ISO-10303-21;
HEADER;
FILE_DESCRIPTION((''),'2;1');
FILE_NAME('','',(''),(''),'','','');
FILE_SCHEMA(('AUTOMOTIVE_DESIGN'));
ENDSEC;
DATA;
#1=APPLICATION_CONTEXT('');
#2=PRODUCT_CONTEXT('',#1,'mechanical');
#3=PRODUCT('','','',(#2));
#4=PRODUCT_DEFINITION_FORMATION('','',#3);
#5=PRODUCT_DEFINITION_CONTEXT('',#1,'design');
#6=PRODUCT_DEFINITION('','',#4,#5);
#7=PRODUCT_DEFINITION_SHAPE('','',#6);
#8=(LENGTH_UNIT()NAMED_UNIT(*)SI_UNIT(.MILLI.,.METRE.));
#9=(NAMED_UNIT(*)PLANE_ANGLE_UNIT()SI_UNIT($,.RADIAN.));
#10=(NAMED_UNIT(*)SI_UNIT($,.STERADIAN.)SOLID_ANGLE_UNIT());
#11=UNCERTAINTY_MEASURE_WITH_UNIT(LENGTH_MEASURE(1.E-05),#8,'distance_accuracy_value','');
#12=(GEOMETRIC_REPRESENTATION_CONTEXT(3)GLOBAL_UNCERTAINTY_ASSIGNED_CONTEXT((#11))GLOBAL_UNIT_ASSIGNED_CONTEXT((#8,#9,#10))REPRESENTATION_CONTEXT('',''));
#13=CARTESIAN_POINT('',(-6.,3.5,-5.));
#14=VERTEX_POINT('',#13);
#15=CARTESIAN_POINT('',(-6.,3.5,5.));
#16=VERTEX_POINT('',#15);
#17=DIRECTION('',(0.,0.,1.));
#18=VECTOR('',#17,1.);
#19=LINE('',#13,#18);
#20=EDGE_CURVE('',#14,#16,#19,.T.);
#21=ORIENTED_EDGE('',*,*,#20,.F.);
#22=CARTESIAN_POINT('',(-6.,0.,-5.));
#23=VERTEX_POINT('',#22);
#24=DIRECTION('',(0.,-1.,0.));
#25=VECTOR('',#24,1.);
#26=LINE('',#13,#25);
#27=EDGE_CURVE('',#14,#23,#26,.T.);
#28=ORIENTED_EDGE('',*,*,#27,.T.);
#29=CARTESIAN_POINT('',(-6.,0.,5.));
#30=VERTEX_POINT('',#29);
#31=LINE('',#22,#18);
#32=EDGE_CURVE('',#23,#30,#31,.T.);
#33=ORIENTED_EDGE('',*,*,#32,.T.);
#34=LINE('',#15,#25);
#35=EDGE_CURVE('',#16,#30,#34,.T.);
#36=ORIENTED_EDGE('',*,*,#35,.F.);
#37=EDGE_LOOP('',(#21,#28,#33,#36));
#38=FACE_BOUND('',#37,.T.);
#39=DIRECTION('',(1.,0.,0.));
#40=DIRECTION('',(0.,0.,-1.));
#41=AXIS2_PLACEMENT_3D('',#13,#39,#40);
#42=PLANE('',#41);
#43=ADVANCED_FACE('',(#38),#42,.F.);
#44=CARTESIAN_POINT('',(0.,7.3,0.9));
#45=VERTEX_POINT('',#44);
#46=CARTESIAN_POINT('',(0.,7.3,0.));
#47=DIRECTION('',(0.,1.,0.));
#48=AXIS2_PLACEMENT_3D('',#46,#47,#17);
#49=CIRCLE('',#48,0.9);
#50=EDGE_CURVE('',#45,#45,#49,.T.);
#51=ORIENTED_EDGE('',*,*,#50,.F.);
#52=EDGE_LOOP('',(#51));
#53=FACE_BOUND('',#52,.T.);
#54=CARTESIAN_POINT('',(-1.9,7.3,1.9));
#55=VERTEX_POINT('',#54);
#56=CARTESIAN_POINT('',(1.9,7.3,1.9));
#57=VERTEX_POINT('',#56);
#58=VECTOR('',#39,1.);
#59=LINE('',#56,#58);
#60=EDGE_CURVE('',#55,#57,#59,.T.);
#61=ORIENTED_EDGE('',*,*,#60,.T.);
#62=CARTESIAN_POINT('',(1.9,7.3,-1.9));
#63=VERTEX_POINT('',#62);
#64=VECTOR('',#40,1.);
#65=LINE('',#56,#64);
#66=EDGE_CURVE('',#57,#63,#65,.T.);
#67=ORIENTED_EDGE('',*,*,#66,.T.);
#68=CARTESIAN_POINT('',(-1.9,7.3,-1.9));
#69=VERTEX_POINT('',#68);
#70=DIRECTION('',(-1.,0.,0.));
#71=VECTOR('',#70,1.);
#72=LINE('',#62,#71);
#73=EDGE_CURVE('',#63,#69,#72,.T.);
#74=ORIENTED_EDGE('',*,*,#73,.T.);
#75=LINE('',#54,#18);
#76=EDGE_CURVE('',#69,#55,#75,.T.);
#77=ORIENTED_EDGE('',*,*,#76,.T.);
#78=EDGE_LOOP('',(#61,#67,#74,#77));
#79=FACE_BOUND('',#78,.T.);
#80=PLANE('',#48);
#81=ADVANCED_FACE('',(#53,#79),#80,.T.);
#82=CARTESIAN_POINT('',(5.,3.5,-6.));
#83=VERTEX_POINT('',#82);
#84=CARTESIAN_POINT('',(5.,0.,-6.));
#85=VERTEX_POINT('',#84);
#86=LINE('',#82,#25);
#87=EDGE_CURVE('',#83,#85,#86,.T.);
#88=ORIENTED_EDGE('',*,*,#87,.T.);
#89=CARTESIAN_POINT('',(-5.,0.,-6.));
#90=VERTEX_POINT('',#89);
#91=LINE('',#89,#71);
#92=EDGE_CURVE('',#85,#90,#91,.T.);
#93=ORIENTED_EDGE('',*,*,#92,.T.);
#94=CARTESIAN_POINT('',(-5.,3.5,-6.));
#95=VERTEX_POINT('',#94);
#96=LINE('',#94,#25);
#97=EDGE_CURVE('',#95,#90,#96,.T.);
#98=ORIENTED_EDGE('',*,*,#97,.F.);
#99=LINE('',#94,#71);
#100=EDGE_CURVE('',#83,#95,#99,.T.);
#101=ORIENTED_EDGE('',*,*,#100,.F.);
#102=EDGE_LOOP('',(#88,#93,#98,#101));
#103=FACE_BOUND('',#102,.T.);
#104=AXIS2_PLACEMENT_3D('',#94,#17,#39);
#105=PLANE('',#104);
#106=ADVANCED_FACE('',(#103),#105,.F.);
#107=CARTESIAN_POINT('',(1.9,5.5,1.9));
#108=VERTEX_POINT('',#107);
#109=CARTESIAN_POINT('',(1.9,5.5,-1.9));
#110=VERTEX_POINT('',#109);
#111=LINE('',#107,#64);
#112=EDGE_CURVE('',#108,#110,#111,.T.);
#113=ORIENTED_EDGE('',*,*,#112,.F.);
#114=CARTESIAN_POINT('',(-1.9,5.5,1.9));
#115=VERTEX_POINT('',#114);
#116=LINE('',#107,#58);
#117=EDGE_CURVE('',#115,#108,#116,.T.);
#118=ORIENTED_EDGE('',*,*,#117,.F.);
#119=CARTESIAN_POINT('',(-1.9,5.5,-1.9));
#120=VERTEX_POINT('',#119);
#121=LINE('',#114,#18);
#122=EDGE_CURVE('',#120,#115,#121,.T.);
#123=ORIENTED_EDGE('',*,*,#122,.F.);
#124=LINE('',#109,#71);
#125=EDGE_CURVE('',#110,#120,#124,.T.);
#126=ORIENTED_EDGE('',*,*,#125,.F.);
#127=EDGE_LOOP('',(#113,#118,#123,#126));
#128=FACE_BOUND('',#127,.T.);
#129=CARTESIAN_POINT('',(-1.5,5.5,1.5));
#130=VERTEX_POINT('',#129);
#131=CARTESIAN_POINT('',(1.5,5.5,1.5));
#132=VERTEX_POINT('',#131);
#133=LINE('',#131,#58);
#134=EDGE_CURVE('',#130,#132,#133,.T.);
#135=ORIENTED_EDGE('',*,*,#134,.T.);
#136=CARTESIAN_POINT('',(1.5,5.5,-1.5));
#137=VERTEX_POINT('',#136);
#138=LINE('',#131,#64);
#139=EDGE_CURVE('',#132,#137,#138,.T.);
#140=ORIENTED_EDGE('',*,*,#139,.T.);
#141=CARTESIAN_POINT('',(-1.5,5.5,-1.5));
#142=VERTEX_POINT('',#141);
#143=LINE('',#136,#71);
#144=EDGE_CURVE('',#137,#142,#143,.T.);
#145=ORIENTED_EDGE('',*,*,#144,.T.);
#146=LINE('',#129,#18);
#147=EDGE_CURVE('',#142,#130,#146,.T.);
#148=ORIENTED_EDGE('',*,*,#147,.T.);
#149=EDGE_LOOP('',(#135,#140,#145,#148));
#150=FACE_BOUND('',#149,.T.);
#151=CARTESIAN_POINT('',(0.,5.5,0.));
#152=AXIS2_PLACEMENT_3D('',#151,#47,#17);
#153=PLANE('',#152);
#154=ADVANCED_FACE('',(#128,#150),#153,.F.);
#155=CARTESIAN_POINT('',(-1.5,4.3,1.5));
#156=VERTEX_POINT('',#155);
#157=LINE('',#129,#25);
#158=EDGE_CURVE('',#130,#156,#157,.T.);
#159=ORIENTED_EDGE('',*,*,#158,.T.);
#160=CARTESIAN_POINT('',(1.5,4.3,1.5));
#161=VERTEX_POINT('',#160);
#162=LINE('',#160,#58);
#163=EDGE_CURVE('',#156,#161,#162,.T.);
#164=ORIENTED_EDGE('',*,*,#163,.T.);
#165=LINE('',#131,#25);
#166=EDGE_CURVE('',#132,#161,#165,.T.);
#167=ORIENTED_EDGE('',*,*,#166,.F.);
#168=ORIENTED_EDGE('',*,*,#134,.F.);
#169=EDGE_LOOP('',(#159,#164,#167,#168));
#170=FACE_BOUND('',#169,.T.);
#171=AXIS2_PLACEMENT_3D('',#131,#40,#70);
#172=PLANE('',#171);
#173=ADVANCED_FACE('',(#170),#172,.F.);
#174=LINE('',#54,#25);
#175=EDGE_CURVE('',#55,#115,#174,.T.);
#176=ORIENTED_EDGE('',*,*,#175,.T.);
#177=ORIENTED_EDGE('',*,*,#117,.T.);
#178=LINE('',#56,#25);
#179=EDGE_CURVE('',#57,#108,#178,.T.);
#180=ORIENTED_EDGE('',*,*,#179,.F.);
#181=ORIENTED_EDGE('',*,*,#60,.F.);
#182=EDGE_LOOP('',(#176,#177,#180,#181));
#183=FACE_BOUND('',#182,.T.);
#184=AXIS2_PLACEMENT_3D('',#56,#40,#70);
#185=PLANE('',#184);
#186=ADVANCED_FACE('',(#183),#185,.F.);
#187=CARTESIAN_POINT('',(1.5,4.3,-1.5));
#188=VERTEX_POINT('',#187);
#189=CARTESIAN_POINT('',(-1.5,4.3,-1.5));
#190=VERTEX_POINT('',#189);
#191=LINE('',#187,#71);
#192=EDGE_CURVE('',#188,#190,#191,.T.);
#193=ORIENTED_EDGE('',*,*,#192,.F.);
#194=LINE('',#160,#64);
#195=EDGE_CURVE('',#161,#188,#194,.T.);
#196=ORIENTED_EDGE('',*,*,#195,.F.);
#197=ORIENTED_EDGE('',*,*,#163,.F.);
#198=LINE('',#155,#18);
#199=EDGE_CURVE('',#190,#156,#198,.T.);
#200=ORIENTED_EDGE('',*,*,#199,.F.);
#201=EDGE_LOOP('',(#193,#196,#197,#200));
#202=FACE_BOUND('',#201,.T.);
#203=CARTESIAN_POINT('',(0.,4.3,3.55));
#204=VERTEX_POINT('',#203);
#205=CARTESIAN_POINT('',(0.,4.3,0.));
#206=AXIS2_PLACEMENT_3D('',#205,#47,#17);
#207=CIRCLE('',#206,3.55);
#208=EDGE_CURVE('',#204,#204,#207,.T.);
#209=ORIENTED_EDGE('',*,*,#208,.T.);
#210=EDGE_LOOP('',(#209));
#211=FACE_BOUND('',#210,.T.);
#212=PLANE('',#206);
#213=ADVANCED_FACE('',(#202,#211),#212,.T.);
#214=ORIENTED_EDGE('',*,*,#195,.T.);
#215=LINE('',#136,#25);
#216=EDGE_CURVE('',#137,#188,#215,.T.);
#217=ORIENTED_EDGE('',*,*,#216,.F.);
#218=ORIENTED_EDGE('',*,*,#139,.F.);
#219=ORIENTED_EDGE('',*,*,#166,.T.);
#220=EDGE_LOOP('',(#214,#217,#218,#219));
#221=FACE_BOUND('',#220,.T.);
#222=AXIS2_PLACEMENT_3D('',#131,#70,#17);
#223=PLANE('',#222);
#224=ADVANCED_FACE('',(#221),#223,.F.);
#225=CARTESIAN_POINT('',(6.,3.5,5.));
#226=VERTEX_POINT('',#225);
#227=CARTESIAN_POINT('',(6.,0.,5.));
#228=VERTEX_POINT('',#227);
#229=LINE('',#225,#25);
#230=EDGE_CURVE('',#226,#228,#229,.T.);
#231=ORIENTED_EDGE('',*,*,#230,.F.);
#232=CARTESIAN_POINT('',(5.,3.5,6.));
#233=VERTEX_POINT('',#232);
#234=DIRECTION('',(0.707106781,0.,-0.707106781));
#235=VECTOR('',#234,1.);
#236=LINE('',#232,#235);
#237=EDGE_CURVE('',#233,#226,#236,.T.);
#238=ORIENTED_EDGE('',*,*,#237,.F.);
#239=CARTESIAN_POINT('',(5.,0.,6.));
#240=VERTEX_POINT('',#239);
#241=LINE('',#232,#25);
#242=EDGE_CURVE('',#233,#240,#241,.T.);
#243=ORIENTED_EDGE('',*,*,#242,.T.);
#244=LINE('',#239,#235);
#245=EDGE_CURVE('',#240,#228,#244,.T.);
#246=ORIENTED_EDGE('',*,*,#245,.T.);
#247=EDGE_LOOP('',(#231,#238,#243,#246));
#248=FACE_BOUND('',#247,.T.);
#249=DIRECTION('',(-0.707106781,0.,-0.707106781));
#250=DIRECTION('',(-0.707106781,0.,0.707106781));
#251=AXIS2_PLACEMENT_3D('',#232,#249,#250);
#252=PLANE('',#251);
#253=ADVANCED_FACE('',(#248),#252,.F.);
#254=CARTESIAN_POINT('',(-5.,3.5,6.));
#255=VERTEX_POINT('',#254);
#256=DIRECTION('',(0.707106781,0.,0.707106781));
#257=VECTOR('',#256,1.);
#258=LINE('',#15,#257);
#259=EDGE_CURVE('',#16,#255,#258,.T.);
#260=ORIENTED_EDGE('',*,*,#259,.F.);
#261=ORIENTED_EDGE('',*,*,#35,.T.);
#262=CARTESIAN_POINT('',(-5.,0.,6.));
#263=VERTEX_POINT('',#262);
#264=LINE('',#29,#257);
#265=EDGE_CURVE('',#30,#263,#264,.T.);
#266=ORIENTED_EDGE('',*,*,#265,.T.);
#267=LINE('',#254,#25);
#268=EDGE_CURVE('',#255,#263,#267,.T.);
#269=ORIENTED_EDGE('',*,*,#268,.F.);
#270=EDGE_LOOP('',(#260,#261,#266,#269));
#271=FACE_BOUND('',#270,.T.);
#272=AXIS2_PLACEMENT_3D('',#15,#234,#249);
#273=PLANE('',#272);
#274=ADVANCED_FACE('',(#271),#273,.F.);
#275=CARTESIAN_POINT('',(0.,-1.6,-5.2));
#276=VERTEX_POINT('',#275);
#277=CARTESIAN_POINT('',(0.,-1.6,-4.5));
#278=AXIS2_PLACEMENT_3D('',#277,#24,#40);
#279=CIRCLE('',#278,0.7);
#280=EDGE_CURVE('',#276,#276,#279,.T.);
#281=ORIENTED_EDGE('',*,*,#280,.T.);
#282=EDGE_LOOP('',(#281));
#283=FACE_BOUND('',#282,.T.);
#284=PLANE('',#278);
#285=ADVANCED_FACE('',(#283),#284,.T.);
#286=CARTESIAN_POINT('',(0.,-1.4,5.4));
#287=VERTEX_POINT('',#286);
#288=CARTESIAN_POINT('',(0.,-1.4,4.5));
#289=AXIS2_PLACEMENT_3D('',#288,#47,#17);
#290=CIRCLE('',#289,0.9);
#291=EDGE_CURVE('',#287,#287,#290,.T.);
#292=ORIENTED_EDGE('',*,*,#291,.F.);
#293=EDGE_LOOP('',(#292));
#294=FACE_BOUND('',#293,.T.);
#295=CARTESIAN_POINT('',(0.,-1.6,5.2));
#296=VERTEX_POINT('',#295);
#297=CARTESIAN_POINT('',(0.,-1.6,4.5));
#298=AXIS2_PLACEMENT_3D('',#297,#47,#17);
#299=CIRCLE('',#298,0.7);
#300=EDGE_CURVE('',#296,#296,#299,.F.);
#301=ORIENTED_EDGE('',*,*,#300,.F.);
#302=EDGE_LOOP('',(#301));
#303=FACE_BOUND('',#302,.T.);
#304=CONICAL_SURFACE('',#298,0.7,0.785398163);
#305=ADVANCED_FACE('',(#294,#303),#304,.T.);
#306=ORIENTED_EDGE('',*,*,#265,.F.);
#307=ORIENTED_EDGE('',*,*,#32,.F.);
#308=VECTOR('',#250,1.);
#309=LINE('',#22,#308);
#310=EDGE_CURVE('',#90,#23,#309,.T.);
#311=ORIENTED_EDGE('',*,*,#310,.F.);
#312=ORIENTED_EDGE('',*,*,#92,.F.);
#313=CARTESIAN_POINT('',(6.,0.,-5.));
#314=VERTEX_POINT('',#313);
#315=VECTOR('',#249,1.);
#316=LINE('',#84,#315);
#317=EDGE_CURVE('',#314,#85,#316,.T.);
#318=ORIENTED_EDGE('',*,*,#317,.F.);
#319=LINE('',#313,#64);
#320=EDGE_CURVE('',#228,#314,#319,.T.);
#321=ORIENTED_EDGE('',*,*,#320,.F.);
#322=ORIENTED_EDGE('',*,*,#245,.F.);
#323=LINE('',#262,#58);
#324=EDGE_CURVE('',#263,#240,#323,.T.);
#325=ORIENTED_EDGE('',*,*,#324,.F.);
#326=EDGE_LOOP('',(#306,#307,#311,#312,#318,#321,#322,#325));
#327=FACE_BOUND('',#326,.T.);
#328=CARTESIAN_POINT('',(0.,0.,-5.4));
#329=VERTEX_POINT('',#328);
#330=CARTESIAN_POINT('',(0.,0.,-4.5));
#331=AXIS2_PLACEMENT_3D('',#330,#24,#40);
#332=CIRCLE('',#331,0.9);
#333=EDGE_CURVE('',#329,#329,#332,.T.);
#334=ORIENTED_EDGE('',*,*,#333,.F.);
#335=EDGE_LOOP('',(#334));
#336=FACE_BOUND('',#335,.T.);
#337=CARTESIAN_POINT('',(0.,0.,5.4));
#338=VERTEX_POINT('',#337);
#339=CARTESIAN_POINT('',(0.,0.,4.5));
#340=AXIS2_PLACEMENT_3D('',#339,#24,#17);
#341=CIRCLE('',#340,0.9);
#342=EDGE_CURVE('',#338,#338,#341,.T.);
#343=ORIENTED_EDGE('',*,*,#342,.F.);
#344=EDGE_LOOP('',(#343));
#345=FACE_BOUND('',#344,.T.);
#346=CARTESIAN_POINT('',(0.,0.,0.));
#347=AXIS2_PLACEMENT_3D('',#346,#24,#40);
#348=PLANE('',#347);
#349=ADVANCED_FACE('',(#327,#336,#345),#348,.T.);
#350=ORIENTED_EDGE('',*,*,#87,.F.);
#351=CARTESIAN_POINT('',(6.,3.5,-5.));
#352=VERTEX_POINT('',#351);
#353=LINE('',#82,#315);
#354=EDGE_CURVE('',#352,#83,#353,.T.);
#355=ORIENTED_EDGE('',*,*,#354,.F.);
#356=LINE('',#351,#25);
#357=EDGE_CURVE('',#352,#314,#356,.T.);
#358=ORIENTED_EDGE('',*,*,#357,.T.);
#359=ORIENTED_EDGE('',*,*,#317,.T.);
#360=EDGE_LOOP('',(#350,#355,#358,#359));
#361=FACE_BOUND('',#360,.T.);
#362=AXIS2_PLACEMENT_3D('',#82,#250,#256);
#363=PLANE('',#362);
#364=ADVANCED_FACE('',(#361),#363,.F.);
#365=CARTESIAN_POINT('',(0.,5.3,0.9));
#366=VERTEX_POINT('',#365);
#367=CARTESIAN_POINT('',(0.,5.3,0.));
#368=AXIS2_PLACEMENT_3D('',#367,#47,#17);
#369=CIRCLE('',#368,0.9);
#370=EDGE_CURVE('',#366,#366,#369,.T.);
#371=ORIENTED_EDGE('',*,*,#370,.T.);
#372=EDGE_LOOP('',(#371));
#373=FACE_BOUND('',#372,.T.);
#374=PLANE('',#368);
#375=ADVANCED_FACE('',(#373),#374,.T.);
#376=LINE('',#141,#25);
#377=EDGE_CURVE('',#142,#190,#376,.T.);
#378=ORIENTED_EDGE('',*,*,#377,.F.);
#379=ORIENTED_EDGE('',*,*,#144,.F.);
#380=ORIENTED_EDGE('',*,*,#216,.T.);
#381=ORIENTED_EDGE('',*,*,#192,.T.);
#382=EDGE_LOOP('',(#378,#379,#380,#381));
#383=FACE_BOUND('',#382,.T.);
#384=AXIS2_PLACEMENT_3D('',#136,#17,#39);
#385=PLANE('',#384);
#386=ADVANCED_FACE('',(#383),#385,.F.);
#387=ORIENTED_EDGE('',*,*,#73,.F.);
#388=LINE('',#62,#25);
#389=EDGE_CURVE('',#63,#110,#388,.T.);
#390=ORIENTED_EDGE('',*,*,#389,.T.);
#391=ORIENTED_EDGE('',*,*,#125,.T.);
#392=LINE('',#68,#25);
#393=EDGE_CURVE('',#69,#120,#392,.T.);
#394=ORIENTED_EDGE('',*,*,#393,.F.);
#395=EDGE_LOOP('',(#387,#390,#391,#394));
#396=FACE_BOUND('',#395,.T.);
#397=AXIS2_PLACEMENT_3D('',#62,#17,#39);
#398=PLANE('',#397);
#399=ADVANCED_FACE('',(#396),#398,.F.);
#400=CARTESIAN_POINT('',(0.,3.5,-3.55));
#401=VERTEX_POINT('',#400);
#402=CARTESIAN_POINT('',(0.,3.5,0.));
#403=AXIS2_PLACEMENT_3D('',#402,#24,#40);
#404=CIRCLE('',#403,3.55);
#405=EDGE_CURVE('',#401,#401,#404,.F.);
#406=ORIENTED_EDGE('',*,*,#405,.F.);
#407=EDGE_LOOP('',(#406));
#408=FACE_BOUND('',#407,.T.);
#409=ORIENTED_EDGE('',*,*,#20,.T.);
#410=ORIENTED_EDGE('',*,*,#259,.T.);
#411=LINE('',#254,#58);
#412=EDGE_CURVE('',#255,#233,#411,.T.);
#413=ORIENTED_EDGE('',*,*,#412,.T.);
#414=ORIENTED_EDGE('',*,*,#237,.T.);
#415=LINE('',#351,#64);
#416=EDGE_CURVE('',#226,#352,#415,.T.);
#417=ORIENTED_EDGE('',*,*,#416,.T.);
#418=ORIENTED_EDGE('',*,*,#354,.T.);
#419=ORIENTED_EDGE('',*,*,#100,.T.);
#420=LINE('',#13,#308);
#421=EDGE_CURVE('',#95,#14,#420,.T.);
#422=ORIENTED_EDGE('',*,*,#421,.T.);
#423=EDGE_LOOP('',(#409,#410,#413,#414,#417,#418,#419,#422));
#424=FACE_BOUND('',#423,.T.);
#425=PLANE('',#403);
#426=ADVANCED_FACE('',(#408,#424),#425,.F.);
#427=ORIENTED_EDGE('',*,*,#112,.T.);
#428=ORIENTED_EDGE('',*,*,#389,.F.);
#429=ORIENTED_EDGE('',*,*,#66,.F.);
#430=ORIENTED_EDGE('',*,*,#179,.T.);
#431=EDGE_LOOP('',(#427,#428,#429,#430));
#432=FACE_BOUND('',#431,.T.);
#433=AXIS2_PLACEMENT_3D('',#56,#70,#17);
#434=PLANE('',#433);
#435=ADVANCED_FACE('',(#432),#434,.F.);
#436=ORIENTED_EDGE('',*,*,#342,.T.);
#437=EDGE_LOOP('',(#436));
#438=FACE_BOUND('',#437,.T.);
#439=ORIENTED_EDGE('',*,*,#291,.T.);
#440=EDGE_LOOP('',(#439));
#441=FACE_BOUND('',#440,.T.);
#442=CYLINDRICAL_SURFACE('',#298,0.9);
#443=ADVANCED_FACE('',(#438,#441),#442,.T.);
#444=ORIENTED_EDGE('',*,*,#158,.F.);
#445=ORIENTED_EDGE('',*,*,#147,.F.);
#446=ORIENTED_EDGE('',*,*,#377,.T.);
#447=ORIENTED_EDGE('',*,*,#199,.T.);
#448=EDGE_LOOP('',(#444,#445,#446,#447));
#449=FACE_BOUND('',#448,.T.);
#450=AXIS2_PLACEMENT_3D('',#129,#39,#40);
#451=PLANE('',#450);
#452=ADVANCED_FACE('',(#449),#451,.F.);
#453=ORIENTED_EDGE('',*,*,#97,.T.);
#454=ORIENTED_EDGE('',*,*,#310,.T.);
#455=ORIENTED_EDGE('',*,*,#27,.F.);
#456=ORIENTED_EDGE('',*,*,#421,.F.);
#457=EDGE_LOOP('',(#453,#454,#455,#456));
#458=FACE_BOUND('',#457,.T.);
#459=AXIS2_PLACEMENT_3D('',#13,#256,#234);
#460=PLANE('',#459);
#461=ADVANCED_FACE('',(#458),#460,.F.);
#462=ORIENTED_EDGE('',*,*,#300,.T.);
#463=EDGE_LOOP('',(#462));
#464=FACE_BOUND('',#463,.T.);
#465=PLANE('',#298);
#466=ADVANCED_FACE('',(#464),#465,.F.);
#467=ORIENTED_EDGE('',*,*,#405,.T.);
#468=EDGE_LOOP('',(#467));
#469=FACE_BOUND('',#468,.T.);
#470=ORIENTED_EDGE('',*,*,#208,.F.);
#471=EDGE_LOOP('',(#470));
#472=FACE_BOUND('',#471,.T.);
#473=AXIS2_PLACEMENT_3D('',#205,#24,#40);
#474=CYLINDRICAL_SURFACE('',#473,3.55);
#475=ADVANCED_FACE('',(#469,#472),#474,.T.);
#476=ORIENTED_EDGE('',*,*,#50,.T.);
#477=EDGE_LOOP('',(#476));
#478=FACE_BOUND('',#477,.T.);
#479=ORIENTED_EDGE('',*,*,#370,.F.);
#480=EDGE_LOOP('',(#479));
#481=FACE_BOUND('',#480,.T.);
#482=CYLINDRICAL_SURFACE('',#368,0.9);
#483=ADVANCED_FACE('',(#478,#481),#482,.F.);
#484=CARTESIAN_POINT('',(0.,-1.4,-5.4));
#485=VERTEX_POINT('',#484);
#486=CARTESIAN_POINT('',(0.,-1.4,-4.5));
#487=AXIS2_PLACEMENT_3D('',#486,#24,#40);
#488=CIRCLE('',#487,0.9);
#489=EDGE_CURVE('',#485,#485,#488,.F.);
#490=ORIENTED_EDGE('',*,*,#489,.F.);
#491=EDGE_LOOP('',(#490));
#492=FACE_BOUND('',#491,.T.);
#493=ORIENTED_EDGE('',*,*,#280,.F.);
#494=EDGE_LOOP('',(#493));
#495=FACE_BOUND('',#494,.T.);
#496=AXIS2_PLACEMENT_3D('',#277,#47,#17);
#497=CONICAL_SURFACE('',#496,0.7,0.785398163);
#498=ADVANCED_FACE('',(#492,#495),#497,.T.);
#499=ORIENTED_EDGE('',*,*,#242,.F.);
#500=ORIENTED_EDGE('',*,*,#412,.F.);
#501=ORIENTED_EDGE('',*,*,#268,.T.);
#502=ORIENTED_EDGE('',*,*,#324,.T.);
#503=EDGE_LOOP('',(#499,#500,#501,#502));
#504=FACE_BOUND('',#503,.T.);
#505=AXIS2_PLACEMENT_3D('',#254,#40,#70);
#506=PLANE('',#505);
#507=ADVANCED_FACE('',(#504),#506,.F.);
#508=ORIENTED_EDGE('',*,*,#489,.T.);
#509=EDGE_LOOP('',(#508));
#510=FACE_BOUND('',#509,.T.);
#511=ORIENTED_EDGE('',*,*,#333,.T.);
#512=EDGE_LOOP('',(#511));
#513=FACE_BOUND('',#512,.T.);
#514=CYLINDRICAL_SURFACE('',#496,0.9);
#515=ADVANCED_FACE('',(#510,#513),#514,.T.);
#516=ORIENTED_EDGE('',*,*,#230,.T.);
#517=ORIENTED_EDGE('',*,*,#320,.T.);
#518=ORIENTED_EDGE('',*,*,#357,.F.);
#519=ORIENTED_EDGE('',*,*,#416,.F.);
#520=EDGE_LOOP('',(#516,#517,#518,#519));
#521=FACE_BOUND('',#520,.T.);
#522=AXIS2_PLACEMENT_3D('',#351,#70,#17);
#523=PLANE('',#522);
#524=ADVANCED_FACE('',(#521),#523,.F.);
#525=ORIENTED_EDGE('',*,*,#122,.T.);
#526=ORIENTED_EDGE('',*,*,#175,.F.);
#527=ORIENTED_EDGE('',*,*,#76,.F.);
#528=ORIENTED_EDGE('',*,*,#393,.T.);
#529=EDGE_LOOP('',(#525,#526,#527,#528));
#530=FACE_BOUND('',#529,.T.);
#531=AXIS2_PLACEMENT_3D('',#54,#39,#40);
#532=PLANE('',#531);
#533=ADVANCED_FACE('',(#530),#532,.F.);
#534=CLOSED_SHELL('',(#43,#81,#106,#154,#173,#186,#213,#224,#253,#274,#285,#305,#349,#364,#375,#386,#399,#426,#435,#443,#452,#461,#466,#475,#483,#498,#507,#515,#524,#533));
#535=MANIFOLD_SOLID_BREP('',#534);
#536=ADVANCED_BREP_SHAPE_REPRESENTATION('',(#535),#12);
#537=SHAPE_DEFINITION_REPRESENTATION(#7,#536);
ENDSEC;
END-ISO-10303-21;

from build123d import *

# Parameters (mm, degrees)
BOSS_EXTRUDE1_DEPTH = 3.5
SKETCH2_R           = 0.9
BOSS_EXTRUDE2_DEPTH = 1.6
CHAMFER1_SIZE       = 0.2
SKETCH3_R           = 3.55
BOSS_EXTRUDE3_DEPTH = 0.8
SKETCH4_W           = 3
SKETCH4_H           = 3
BOSS_EXTRUDE4_DEPTH = 1.2
SKETCH5_W           = 3.8
SKETCH5_H           = 3.8
BOSS_EXTRUDE5_DEPTH = 1.8
SKETCH6_R           = 0.9
CUT_EXTRUDE1_DEPTH  = 2


with BuildPart() as part:
    # Sketch1 → Boss-Extrude1 (new body)
    with BuildSketch(Plane(origin=(0, 0, 0), x_dir=(1, 0, 0), z_dir=(0, 1, 0))):
        Polygon((-6, 5), (-5, 6), (5, 6), (6, 5), (6, -5), (5, -6), (-5, -6), (-6, -5), align=None)
    extrude(amount=BOSS_EXTRUDE1_DEPTH)

    # Sketch2 → Boss-Extrude2 (add)
    with BuildSketch(Plane.XZ):
        with Locations((0, -4.5)):
            Circle(SKETCH2_R)
        with Locations((0, 4.5)):
            Circle(SKETCH2_R)
    extrude(amount=BOSS_EXTRUDE2_DEPTH)

    # Chamfer1
    chamfer1_edges = [part.edges().sort_by_distance(p)[0] for p in [
        (-0.9, -1.6, -4.5),
        (-0.9, -1.6, 4.5),
    ]]
    chamfer(chamfer1_edges, length=CHAMFER1_SIZE)

    # Sketch3 → Boss-Extrude3 (add)
    with BuildSketch(Plane(origin=(0, 3.5, 0), x_dir=(1, 0, 0), z_dir=(0, 1, 0))):
        Circle(SKETCH3_R)
    extrude(amount=BOSS_EXTRUDE3_DEPTH)

    # Sketch4 → Boss-Extrude4 (add)
    with BuildSketch(Plane(origin=(0, 4.3, 0), x_dir=(1, 0, 0), z_dir=(0, 1, 0))):
        Rectangle(SKETCH4_W, SKETCH4_H)
    extrude(amount=BOSS_EXTRUDE4_DEPTH)

    # Sketch5 → Boss-Extrude5 (add)
    with BuildSketch(Plane(origin=(0, 5.5, 0), x_dir=(1, 0, 0), z_dir=(0, 1, 0))):
        Rectangle(SKETCH5_W, SKETCH5_H)
    extrude(amount=BOSS_EXTRUDE5_DEPTH)

    # Sketch6 → Cut-Extrude1 (cut)
    with BuildSketch(Plane(origin=(0, 7.3, 0), x_dir=(1, 0, 0), z_dir=(0, 1, 0))):
        Circle(SKETCH6_R)
    extrude(amount=-CUT_EXTRUDE1_DEPTH, mode=Mode.SUBTRACT)


solid = part.part
